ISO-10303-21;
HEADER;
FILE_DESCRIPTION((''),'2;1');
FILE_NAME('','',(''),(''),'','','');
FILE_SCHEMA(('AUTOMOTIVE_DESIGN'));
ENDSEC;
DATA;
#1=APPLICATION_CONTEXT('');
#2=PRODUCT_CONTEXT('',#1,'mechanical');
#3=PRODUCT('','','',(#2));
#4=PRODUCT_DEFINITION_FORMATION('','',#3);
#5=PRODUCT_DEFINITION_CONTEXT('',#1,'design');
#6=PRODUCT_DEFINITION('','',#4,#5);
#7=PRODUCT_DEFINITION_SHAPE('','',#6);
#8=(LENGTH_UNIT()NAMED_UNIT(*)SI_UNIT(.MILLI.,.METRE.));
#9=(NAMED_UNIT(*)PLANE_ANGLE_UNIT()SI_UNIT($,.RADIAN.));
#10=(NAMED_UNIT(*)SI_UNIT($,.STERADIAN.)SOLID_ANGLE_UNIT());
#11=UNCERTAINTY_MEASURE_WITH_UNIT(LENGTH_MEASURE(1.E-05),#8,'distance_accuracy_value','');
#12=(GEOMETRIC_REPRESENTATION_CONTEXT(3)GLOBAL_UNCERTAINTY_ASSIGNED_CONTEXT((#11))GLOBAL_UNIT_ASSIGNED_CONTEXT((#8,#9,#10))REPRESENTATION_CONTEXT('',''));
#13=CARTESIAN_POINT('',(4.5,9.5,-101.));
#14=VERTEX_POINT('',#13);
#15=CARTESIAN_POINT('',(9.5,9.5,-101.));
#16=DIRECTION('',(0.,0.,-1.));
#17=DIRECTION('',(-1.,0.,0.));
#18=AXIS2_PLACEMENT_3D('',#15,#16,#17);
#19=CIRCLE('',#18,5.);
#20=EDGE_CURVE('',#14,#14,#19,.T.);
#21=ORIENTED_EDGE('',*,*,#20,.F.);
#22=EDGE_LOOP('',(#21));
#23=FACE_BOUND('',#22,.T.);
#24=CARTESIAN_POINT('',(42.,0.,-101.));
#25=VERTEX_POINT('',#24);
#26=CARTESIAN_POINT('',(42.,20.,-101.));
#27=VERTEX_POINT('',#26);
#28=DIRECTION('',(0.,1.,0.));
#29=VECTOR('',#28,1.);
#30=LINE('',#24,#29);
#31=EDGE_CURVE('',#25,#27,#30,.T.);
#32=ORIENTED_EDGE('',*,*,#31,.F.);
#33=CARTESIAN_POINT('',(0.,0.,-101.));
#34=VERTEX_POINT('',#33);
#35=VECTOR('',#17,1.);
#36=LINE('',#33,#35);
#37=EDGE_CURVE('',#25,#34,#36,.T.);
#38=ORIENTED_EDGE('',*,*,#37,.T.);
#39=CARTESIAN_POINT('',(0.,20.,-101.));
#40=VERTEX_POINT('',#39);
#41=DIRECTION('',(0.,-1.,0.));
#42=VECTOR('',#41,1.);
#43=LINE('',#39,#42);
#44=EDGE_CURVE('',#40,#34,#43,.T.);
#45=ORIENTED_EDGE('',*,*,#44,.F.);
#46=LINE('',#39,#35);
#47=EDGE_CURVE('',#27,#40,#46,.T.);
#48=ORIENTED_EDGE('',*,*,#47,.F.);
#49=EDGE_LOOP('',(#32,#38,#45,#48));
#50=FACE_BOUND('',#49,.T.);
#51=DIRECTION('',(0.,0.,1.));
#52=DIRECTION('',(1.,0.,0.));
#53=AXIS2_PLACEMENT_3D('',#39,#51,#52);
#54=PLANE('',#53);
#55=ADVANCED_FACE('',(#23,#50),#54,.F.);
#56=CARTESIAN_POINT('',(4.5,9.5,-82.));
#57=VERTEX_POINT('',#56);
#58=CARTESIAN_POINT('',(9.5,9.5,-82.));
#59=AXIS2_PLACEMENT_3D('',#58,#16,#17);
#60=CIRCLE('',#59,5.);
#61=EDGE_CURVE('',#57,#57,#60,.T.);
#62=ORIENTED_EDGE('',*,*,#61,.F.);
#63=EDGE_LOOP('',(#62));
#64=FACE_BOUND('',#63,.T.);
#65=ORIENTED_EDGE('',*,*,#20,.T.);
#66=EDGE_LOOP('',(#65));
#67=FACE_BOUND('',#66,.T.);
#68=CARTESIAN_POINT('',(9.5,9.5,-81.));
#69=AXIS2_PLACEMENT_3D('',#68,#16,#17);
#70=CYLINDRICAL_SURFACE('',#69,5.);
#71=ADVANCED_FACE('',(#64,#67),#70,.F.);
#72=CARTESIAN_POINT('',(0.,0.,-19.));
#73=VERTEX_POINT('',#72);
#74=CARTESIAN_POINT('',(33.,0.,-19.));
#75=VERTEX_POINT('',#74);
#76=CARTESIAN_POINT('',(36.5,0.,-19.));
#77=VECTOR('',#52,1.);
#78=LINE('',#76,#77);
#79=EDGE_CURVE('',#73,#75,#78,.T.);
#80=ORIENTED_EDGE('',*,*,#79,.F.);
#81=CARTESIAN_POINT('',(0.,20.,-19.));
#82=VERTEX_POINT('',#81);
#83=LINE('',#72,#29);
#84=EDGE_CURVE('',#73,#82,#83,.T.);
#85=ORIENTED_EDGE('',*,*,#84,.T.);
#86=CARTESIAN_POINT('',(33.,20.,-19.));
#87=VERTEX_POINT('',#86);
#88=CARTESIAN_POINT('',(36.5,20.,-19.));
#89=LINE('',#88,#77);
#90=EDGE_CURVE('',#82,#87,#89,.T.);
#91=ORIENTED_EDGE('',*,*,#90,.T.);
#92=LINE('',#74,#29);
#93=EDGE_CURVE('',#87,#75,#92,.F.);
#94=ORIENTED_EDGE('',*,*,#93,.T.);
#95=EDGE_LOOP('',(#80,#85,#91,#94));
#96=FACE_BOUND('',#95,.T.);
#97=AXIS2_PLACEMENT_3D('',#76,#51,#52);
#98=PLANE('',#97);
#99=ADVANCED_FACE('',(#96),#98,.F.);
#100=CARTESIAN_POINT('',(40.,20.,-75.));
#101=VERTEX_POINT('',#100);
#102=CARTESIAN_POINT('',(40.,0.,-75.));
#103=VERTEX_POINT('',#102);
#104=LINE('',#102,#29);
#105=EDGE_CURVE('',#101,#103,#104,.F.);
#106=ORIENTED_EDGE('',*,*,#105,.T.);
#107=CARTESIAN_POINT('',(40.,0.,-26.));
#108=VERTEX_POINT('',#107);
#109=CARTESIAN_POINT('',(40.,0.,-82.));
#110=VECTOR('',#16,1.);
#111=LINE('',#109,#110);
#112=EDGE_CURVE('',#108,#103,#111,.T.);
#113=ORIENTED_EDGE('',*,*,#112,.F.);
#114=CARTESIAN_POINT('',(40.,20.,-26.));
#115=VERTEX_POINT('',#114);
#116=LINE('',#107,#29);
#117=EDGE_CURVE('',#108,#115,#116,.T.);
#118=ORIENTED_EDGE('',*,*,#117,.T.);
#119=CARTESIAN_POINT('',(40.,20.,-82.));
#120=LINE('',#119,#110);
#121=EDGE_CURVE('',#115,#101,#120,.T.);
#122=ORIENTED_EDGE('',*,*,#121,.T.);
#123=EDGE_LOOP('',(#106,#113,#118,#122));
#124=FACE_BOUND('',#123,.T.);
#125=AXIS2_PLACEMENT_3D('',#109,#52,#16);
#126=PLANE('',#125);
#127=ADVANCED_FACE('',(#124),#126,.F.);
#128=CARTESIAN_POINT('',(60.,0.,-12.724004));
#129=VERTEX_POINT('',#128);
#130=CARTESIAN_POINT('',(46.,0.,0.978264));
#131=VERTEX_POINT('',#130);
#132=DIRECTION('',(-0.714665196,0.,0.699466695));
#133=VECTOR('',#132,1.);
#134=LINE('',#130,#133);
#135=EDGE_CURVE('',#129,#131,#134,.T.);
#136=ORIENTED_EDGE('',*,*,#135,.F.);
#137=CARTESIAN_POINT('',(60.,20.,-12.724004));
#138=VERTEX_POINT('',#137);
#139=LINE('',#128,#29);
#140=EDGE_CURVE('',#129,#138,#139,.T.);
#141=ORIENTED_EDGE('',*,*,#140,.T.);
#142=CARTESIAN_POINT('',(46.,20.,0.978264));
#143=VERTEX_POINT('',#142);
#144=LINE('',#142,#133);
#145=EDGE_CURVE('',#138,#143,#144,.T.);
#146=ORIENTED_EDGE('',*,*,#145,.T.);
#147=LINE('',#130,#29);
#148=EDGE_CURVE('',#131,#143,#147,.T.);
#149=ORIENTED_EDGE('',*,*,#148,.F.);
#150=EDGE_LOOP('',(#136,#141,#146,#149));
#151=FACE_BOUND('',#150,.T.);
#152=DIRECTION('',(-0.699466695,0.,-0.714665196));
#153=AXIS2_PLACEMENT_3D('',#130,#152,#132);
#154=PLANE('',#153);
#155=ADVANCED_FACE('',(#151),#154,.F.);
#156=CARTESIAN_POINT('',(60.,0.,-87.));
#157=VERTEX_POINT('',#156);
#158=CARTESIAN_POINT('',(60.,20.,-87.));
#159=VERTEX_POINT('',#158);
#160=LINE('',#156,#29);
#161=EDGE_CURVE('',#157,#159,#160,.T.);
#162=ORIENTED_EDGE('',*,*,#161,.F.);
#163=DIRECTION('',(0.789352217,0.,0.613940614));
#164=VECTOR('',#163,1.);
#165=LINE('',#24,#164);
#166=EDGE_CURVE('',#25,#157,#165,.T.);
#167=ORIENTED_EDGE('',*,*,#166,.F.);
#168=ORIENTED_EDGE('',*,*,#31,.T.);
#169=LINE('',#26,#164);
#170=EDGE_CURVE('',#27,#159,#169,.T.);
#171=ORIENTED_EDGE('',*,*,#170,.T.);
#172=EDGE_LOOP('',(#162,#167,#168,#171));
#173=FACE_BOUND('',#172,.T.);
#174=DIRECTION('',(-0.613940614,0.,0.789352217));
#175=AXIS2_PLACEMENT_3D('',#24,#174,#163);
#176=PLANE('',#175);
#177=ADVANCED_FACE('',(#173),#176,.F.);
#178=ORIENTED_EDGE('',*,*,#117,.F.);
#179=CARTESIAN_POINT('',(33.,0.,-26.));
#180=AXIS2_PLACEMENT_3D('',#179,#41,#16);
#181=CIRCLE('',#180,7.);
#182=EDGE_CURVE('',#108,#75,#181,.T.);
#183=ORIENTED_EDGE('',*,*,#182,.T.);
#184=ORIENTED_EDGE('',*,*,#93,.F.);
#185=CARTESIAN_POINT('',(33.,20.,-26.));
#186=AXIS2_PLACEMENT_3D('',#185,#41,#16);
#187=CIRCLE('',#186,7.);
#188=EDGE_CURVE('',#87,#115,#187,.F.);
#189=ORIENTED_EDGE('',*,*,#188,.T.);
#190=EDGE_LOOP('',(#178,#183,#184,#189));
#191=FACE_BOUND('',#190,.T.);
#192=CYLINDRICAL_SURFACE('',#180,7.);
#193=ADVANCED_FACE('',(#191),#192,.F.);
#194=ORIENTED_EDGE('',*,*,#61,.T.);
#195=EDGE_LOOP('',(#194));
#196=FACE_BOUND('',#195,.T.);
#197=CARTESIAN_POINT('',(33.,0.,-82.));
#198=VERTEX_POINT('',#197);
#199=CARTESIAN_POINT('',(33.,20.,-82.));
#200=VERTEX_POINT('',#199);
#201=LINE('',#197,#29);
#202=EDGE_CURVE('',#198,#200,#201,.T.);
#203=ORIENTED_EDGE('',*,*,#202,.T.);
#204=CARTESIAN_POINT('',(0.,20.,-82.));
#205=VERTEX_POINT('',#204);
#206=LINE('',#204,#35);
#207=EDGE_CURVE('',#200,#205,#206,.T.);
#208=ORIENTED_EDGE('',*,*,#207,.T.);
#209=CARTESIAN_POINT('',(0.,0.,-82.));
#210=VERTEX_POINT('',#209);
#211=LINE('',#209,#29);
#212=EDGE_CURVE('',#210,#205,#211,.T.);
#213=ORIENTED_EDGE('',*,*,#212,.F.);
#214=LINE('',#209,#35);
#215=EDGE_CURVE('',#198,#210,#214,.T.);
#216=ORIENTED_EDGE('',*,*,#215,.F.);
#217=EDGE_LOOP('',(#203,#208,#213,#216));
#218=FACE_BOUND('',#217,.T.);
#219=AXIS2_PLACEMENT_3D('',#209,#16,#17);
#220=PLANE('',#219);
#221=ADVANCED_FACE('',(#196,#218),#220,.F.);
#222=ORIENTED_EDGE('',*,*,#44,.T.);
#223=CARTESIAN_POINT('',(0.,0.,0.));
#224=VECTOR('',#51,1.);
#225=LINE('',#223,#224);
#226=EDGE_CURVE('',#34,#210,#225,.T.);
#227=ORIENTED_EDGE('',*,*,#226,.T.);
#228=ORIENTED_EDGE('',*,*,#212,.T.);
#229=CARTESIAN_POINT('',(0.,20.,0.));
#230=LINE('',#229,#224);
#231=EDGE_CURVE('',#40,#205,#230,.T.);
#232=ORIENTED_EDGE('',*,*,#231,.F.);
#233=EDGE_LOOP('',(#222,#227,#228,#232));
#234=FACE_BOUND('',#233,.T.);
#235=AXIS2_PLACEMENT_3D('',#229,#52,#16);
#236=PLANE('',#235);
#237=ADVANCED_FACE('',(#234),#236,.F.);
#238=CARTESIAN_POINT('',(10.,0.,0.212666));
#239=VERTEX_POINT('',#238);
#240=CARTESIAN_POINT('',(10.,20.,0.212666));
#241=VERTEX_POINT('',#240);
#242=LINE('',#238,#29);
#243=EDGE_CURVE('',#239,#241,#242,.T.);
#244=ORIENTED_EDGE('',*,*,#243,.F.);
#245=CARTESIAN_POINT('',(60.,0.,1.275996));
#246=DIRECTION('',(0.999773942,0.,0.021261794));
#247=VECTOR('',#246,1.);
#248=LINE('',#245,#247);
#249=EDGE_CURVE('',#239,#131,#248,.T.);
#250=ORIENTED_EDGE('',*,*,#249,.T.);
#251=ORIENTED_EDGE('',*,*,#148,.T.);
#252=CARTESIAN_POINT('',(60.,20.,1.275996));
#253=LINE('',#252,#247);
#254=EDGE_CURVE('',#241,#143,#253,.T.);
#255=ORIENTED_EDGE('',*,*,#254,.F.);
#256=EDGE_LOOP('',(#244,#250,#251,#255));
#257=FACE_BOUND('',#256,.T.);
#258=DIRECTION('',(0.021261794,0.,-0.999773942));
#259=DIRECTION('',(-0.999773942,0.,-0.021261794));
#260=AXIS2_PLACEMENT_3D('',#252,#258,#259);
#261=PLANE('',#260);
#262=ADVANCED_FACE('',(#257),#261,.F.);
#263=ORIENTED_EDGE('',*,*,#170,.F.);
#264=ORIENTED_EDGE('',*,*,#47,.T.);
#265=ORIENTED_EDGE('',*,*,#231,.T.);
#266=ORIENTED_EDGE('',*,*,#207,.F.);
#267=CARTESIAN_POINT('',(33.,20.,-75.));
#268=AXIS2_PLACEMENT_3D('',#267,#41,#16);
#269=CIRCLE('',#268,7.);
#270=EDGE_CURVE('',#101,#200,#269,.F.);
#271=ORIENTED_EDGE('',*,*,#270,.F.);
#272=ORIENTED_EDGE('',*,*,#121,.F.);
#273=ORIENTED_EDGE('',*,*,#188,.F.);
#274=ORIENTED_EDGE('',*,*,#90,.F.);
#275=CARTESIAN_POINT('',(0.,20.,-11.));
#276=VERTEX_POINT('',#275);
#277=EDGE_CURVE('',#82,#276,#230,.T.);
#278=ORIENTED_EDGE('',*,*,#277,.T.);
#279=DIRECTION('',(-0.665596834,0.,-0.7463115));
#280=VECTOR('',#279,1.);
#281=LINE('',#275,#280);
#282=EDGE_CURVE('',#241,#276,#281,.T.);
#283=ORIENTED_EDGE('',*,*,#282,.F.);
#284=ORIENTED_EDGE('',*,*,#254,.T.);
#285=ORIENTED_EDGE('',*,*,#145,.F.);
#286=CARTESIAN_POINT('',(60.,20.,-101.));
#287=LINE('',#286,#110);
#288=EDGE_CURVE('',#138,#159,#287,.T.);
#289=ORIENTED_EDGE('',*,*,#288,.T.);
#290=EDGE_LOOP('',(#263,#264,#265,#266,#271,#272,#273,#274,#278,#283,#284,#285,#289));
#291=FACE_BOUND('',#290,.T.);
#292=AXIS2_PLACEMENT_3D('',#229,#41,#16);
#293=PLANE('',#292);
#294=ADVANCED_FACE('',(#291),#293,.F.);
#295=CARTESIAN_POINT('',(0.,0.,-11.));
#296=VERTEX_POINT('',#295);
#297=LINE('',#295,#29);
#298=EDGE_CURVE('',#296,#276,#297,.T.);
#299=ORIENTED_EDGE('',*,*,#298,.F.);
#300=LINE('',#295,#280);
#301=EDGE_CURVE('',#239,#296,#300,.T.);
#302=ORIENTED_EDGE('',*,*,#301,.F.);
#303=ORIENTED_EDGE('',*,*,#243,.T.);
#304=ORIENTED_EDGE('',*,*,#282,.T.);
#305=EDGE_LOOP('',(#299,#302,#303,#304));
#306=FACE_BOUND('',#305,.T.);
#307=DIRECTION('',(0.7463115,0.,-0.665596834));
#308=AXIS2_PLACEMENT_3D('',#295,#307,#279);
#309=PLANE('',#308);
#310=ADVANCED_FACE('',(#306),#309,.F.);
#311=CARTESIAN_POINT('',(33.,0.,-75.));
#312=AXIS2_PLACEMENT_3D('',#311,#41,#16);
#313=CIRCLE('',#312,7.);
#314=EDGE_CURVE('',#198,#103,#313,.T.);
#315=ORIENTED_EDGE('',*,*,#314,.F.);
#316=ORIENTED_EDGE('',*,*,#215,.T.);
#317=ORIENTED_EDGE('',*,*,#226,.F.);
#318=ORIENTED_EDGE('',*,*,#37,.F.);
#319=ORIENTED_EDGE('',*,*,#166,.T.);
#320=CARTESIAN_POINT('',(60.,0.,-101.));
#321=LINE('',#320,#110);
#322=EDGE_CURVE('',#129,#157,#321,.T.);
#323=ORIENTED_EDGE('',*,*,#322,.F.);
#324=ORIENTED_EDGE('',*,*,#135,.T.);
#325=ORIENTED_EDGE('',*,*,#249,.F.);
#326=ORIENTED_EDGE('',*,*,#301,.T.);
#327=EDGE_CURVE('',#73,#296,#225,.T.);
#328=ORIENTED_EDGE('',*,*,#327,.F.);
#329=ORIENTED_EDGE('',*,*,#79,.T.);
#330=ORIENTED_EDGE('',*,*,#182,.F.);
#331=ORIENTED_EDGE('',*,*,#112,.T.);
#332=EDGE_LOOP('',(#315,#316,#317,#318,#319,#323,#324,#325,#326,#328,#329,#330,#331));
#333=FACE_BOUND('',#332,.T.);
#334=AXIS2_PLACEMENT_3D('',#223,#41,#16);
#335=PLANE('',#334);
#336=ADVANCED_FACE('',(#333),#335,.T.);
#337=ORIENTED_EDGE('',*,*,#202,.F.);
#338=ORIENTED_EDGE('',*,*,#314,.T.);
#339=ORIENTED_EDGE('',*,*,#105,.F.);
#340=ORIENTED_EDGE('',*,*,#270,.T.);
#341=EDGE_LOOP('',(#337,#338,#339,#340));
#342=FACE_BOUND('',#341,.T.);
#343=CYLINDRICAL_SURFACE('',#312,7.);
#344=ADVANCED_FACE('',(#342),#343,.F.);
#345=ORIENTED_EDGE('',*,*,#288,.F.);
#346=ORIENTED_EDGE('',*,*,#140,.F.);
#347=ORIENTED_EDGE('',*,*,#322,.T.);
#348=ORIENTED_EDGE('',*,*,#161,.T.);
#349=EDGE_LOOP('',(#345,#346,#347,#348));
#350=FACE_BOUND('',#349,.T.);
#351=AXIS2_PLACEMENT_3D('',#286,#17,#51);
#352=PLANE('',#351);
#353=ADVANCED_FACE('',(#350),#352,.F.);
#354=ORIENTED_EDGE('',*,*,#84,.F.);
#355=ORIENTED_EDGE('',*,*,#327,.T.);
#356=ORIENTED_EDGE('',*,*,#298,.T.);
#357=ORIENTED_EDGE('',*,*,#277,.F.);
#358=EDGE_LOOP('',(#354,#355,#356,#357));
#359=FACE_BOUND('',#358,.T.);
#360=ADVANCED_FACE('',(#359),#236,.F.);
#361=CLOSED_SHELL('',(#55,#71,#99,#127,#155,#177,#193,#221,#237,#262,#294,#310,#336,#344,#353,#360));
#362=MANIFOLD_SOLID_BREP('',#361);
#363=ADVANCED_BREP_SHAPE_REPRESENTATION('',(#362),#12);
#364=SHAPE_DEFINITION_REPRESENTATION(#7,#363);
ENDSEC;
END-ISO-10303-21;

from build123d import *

# Parameters (mm, degrees)
BOSS_EXTRUDE1_DEPTH = 20
CUT_EXTRUDE1_DEPTH  = 20
CUT_EXTRUDE2_DEPTH  = 20
SKETCH4_W           = 36.5
SKETCH4_H           = 63
CUT_EXTRUDE3_DEPTH  = 20
FILLET1_R           = 7
FILLET2_R           = 7
SKETCH5_R           = 5
CUT_EXTRUDE4_DEPTH  = 20
CUT_EXTRUDE5_DEPTH  = 20
FILLET3_R           = 7
FILLET4_R           = 7


with BuildPart() as part:
    # Sketch1 → Boss-Extrude1 (new body)
    with BuildSketch(Plane(origin=(0, 0, 0), x_dir=(1, 0, 0), z_dir=(0, 1, 0))):
        Polygon((0, 0), (0, 101), (60, 101), (60, -1.275996113), align=None)
    extrude(amount=BOSS_EXTRUDE1_DEPTH)

    # Sketch2 → Cut-Extrude1 (cut)
    with BuildSketch(Plane(origin=(0, 20, 0), x_dir=(1, 0, 0), z_dir=(0, 1, 0))):
        Polygon((60, 101), (42, 101), (60, 87), align=None)
    extrude(amount=-CUT_EXTRUDE1_DEPTH, mode=Mode.SUBTRACT)

    # Sketch3 → Cut-Extrude2 (cut)
    with BuildSketch(Plane(origin=(0, 20, 0), x_dir=(1, 0, 0), z_dir=(0, 1, 0))):
        Polygon((60, -1.275996113), (46, -0.978263686), (60, 12.724003887), align=None)
        Polygon((10, -0.212666019), (0, 0), (0, 11), align=None)
    extrude(amount=-CUT_EXTRUDE2_DEPTH, mode=Mode.SUBTRACT)

    # Sketch4 → Cut-Extrude3 (cut)
    with BuildSketch(Plane(origin=(0, 20, 0), x_dir=(1, 0, 0), z_dir=(0, 1, 0))):
        with Locations((18.25, 50.5)):
            Rectangle(SKETCH4_W, SKETCH4_H)
    extrude(amount=-CUT_EXTRUDE3_DEPTH, mode=Mode.SUBTRACT)

    # Fillet1
    fillet1_edges = [part.edges().sort_by_distance(p)[0] for p in [
        (36.5, 10, -82),
    ]]
    fillet(fillet1_edges, radius=FILLET1_R)

    # Fillet2
    fillet2_edges = [part.edges().sort_by_distance(p)[0] for p in [
        (36.5, 10, -19),
    ]]
    fillet(fillet2_edges, radius=FILLET2_R)

    # Sketch5 → Cut-Extrude4 (cut)
    with BuildSketch(Plane(origin=(0, 0, -101), x_dir=(-1, 0, 0), z_dir=(0, 0, -1))):
        with Locations((-9.5, 9.5)):
            Circle(SKETCH5_R)
    extrude(amount=-CUT_EXTRUDE4_DEPTH, mode=Mode.SUBTRACT)

    # Sketch7 → Cut-Extrude5 (cut)
    with BuildSketch(Plane(origin=(0, 20, 0), x_dir=(1, 0, 0), z_dir=(0, 1, 0))):
        Polygon((29.5, 82), (40, 82), (40, 19), (0, 19), (0, 82), align=None)
    extrude(amount=-CUT_EXTRUDE5_DEPTH, mode=Mode.SUBTRACT)

    # Fillet3
    fillet3_edges = [part.edges().sort_by_distance(p)[0] for p in [
        (40, 10, -82),
    ]]
    fillet(fillet3_edges, radius=FILLET3_R)

    # Fillet4
    fillet4_edges = [part.edges().sort_by_distance(p)[0] for p in [
        (40, 10, -19),
    ]]
    fillet(fillet4_edges, radius=FILLET4_R)


solid = part.part
